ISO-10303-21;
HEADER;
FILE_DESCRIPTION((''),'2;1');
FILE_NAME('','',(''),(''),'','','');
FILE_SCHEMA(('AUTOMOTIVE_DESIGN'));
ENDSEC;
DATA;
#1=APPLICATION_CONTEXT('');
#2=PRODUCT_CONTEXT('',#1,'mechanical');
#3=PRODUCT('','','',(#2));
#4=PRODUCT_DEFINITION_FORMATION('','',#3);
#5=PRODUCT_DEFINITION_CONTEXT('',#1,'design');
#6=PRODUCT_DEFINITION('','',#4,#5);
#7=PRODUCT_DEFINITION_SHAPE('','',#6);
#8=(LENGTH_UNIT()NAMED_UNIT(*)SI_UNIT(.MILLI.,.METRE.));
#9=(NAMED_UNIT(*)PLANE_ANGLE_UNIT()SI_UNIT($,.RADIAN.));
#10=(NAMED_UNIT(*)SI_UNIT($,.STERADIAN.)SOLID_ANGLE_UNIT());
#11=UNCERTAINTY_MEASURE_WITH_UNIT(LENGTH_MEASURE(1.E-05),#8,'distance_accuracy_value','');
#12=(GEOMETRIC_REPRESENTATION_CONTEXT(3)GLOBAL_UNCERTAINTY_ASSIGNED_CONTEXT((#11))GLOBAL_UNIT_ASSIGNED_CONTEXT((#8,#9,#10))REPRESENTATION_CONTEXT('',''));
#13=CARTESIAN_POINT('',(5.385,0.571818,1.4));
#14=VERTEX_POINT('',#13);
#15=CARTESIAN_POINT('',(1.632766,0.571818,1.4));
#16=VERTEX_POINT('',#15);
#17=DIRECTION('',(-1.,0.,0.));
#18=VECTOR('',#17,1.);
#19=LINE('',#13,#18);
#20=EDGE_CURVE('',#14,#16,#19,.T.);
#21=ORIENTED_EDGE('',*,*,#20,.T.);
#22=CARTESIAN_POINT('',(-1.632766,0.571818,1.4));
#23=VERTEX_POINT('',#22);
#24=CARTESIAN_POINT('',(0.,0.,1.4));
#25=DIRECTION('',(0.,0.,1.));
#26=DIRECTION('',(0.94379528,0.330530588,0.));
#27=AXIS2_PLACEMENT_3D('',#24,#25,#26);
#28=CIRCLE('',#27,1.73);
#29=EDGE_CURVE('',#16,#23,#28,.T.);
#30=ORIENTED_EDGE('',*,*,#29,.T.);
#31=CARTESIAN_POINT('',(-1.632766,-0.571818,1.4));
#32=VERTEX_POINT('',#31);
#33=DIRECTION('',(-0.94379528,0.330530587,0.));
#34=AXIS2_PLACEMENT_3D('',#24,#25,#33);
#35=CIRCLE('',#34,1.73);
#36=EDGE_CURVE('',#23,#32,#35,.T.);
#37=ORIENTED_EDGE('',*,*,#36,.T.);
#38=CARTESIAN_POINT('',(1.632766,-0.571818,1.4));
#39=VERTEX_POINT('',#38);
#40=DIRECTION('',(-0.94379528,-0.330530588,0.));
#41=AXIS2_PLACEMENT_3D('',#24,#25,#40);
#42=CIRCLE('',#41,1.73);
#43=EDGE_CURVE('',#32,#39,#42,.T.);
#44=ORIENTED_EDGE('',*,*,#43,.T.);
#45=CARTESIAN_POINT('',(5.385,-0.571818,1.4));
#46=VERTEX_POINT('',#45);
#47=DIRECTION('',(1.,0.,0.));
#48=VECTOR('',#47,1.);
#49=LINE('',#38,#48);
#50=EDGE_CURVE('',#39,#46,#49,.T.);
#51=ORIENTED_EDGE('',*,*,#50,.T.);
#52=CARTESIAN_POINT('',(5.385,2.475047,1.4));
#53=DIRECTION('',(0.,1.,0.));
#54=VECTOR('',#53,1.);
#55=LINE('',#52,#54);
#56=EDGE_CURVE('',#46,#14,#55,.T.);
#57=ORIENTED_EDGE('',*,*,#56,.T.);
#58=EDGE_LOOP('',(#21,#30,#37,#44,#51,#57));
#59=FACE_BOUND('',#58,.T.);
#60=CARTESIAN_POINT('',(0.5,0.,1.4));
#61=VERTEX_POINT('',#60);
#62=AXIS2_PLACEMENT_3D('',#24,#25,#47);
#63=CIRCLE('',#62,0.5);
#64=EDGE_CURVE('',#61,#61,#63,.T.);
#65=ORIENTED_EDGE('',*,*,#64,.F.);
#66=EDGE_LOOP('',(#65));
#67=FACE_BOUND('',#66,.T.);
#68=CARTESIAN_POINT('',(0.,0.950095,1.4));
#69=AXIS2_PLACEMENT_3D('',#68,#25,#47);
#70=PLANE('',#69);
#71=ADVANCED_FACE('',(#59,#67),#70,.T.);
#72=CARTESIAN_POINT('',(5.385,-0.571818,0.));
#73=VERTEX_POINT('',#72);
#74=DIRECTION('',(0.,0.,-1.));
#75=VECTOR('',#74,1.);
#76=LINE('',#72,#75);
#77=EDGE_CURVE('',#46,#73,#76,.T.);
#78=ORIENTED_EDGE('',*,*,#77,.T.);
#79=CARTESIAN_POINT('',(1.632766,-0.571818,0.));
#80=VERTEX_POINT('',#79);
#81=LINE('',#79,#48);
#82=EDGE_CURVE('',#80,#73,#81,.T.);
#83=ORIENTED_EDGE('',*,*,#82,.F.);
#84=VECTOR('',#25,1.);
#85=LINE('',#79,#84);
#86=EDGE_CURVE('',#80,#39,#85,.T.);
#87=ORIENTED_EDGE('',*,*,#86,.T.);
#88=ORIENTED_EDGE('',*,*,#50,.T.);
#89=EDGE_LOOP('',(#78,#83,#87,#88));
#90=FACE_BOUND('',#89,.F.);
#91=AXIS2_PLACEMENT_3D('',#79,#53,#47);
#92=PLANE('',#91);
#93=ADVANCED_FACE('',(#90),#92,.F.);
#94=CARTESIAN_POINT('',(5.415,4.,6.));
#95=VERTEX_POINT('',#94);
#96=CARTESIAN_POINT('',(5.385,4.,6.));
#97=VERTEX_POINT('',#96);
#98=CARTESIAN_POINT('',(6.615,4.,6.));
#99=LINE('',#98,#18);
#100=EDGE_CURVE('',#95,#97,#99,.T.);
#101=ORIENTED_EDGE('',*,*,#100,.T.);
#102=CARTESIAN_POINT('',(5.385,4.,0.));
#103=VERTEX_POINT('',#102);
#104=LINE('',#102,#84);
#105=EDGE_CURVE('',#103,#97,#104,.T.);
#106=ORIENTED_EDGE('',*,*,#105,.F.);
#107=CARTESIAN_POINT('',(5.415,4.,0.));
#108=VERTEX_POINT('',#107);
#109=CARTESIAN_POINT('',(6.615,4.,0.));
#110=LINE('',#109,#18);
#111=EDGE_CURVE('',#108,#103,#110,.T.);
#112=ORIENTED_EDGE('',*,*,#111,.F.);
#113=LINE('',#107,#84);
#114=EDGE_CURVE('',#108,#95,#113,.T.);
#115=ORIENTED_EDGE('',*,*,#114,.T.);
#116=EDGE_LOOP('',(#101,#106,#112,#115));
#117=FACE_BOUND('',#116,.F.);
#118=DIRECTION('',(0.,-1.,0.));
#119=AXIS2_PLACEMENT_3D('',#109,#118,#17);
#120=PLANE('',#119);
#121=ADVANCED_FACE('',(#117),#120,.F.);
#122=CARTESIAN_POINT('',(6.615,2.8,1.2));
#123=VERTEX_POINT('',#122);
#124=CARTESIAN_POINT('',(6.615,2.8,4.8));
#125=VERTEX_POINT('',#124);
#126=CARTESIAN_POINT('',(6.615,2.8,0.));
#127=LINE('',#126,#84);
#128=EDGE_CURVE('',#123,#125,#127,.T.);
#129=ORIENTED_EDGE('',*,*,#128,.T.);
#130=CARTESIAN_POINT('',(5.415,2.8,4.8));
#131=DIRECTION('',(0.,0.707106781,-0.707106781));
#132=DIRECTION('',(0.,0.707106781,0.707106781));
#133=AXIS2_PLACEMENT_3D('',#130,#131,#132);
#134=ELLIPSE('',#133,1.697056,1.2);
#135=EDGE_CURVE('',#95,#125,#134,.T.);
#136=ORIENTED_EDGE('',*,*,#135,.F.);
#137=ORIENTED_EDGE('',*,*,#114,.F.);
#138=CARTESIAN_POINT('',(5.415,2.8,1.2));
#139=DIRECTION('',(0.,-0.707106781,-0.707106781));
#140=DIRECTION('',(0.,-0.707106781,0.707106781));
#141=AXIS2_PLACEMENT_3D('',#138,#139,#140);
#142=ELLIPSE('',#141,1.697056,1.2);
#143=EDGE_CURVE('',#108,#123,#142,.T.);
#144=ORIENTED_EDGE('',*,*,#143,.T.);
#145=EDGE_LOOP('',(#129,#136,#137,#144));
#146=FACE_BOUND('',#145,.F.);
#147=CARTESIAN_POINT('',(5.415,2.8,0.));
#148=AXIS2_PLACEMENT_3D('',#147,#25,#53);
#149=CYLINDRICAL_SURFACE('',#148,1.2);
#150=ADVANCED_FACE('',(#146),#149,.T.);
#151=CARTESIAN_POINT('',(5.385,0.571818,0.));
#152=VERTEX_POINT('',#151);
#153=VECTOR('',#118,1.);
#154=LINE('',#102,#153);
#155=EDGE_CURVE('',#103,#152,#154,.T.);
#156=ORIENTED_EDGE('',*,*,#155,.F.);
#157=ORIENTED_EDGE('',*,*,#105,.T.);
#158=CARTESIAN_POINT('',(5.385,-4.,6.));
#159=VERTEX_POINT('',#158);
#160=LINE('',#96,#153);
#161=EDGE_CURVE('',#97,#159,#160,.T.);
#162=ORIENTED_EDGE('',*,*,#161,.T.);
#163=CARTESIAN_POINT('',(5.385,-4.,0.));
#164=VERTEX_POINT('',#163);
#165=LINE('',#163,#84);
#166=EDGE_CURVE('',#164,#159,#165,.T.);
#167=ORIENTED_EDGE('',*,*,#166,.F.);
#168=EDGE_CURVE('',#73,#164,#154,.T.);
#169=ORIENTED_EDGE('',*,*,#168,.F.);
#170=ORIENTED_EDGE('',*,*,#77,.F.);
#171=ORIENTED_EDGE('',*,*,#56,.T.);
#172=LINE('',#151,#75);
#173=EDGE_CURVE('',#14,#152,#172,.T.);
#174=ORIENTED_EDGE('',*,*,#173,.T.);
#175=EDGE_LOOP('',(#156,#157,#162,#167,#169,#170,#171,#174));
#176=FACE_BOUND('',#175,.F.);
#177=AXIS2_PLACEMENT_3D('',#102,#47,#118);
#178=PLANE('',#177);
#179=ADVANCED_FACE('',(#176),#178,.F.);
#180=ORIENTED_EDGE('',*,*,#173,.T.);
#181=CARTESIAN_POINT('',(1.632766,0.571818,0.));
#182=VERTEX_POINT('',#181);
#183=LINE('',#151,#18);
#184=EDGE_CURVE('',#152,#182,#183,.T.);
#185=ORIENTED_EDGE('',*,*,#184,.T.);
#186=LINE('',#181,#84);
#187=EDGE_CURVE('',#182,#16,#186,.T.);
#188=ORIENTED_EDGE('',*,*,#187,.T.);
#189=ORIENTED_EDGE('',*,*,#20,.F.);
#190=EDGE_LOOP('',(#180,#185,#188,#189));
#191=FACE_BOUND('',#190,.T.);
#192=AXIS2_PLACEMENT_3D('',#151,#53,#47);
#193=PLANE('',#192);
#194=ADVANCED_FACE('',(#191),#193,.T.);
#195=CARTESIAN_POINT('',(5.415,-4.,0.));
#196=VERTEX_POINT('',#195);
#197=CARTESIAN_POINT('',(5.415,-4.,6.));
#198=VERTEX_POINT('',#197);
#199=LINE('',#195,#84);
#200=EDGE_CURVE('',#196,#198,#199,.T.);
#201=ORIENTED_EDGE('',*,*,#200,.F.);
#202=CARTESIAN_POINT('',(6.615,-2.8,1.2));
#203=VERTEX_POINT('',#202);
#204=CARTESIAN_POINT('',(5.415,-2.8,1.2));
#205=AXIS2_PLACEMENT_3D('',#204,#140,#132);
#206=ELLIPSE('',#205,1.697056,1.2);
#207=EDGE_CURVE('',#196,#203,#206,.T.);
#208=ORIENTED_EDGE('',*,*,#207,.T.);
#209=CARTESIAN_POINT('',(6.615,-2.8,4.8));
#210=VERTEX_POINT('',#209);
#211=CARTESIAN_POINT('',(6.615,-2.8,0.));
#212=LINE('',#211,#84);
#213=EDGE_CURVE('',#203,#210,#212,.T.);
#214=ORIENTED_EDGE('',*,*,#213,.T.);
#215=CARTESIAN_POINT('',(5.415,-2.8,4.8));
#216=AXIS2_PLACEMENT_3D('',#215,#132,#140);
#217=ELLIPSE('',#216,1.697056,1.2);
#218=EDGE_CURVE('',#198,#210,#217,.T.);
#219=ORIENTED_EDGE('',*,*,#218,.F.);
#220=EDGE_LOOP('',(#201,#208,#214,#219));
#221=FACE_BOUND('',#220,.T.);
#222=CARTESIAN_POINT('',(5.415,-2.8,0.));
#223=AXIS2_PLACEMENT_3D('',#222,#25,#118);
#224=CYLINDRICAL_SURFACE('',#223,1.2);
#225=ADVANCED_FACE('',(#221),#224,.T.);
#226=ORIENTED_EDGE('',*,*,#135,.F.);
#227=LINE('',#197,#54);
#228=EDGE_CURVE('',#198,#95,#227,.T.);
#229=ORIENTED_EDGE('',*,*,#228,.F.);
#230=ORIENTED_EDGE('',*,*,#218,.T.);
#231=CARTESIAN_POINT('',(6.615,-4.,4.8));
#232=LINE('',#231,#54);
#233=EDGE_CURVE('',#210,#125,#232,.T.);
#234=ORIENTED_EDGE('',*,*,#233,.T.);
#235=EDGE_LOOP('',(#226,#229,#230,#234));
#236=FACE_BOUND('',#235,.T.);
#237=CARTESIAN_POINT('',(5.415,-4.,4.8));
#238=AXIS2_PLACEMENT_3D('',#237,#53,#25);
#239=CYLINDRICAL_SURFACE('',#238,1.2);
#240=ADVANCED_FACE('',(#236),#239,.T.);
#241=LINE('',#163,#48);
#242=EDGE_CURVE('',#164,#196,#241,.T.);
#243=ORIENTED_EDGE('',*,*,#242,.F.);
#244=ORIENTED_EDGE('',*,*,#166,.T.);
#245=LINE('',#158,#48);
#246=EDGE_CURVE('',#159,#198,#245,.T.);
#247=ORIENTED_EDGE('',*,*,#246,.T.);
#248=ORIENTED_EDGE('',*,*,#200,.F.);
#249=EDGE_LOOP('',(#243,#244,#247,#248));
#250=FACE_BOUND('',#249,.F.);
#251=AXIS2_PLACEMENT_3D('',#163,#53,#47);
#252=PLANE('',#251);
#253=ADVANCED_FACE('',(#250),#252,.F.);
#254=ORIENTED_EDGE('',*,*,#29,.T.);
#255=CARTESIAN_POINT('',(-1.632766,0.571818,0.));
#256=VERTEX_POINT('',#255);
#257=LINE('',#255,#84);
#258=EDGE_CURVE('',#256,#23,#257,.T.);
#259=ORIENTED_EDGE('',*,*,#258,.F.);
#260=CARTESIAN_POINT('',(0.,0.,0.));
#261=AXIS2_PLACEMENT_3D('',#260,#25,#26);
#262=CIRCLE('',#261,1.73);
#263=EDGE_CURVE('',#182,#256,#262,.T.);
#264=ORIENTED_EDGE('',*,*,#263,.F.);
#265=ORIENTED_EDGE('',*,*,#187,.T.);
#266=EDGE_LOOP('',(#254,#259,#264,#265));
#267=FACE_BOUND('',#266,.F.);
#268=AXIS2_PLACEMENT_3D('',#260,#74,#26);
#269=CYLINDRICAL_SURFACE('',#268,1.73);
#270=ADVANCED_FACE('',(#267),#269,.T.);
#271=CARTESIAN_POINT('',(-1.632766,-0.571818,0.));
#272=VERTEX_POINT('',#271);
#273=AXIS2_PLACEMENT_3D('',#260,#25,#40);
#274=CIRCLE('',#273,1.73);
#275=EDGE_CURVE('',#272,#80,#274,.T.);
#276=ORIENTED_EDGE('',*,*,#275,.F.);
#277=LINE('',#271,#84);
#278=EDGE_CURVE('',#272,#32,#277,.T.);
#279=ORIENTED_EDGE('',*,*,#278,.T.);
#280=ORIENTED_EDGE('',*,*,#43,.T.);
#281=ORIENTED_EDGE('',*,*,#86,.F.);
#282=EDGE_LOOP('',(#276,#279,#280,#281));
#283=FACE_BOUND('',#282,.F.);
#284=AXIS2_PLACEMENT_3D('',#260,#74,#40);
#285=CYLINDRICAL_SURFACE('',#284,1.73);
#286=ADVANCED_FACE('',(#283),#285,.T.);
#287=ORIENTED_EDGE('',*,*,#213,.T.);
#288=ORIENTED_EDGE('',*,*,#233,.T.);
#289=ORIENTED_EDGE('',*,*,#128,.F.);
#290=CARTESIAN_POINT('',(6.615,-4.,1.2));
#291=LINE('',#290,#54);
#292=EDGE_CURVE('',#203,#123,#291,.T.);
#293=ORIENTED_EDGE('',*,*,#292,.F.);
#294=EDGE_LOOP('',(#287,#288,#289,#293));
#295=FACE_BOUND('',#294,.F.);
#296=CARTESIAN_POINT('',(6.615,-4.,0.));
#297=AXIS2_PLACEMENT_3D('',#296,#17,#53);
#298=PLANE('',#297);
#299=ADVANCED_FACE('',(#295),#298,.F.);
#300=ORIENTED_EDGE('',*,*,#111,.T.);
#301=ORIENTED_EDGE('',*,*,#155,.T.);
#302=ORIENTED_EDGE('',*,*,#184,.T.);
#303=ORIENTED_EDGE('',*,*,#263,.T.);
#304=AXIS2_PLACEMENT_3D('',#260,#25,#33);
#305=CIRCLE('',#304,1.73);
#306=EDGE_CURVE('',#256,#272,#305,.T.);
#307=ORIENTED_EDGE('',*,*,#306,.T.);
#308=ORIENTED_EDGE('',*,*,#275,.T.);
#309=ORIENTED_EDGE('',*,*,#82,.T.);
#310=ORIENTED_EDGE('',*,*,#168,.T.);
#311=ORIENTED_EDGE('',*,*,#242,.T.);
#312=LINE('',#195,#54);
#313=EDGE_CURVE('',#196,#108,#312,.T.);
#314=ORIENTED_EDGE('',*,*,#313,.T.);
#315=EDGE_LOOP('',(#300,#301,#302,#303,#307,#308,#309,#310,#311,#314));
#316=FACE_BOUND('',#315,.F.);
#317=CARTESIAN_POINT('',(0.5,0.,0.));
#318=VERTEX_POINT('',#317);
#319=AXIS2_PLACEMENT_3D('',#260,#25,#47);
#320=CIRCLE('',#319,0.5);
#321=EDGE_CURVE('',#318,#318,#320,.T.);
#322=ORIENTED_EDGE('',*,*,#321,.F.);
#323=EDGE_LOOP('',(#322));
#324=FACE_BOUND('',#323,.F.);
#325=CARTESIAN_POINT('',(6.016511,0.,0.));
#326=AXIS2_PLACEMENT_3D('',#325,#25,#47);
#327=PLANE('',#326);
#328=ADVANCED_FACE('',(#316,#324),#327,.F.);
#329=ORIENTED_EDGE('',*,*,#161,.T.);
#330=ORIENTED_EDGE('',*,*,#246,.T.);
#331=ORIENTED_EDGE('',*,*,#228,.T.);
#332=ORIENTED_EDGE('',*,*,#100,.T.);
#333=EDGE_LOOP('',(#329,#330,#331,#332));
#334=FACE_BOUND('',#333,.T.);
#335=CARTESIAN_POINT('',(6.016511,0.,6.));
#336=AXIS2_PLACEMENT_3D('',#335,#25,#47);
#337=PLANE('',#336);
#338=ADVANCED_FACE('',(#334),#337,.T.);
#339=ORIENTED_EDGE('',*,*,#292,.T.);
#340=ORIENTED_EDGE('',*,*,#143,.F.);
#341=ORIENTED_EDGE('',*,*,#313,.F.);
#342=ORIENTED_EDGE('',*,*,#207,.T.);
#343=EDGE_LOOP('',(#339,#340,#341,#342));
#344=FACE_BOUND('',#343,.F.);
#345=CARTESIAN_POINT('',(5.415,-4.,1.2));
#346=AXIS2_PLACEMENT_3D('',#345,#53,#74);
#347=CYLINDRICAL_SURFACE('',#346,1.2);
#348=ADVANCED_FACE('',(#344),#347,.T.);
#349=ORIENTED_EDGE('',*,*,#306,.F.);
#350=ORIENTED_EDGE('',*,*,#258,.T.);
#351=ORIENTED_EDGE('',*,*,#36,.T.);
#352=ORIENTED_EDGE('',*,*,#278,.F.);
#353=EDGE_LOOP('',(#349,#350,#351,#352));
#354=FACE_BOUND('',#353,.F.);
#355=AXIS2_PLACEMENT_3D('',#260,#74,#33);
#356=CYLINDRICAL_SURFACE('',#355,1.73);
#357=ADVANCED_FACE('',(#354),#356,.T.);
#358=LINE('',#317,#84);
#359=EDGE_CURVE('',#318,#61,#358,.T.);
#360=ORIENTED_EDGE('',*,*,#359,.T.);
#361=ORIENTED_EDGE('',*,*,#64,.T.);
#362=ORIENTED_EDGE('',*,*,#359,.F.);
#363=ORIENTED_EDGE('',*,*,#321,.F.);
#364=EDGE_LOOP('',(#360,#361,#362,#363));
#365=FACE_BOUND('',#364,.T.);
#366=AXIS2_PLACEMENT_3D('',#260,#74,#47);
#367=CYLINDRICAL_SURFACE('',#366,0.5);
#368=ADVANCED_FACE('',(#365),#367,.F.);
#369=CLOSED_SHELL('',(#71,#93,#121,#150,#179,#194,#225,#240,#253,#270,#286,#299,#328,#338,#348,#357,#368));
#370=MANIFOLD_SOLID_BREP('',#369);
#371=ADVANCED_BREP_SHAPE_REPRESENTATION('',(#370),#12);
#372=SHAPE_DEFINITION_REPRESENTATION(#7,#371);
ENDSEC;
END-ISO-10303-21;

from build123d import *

# Parameters (mm, degrees)
F0_W     = 0.615
F0_H     = 1.1436358327
F0_R     = 0.5
F1_DEPTH = 1.4
F2_DEPTH = 6
F3_R     = 1.2


with BuildPart() as f1:
    # F0 (on Top) → F1 (new body)
    with BuildSketch(Plane.XY):
        with BuildLine():
            Line((-1.6327658346, 0.5718179164), (1.6327658346, 0.5718179164))
            ThreePointArc((1.6327658346, 0.5718179164), (0, 1.73), (-1.6327658346, 0.5718179164))
        make_face()
        with BuildLine():
            ThreePointArc((-1.6327658346, -0.5718179164), (0, -1.73), (1.6327658346, -0.5718179164))
            Line((1.6327658346, -0.5718179164), (-1.6327658346, -0.5718179164))
        make_face()
        with Locations((5.6925, 0)):
            Rectangle(F0_W, F0_H)
        with BuildLine():
            ThreePointArc((1.6327658346, -0.5718179164), (1.7055182341, -0.2900130223), (1.73, 0))
            ThreePointArc((1.73, 0), (1.7055182341, 0.2900130223), (1.6327658346, 0.5718179164))
            Line((1.6327658346, 0.5718179164), (-1.6327658346, 0.5718179164))
            ThreePointArc((-1.6327658346, 0.5718179164), (-1.73, 0), (-1.6327658346, -0.5718179164))
            Line((-1.6327658346, -0.5718179164), (1.6327658346, -0.5718179164))
        make_face()
        Circle(F0_R, mode=Mode.SUBTRACT)
        with BuildLine():
            ThreePointArc((1.6327658346, 0.5718179164), (1.7055182341, 0.2900130223), (1.73, 0))
            ThreePointArc((1.73, 0), (1.7055182341, -0.2900130223), (1.6327658346, -0.5718179164))
            Line((1.6327658346, -0.5718179164), (5.385, -0.5718179164))
            Line((5.385, -0.5718179164), (5.385, 0.5718179164))
            Line((5.385, 0.5718179164), (1.6327658346, 0.5718179164))
        make_face()
    extrude(amount=F1_DEPTH)

    # F0 (on Top) → F2 (join)
    with BuildSketch(Plane.XY):
        Polygon((5.385, 4), (5.385, 0.5718179164), (6, 0.5718179164), (6, -0.5718179164), (5.385, -0.5718179164), (5.385, -4), (6.615, -4), (6.615, 4), align=None)
        with Locations((5.6925, 0)):
            Rectangle(F0_W, F0_H)
    extrude(amount=F2_DEPTH)

    # F3
    f3_edges = [f1.edges().sort_by_distance(p)[0] for p in [
        (6.615, -4, 3),
        (6.615, 4, 3),
        (6.615, 0, 6),
        (6.615, 0, 0),
    ]]
    fillet(f3_edges, radius=F3_R)


solid = f1.part
